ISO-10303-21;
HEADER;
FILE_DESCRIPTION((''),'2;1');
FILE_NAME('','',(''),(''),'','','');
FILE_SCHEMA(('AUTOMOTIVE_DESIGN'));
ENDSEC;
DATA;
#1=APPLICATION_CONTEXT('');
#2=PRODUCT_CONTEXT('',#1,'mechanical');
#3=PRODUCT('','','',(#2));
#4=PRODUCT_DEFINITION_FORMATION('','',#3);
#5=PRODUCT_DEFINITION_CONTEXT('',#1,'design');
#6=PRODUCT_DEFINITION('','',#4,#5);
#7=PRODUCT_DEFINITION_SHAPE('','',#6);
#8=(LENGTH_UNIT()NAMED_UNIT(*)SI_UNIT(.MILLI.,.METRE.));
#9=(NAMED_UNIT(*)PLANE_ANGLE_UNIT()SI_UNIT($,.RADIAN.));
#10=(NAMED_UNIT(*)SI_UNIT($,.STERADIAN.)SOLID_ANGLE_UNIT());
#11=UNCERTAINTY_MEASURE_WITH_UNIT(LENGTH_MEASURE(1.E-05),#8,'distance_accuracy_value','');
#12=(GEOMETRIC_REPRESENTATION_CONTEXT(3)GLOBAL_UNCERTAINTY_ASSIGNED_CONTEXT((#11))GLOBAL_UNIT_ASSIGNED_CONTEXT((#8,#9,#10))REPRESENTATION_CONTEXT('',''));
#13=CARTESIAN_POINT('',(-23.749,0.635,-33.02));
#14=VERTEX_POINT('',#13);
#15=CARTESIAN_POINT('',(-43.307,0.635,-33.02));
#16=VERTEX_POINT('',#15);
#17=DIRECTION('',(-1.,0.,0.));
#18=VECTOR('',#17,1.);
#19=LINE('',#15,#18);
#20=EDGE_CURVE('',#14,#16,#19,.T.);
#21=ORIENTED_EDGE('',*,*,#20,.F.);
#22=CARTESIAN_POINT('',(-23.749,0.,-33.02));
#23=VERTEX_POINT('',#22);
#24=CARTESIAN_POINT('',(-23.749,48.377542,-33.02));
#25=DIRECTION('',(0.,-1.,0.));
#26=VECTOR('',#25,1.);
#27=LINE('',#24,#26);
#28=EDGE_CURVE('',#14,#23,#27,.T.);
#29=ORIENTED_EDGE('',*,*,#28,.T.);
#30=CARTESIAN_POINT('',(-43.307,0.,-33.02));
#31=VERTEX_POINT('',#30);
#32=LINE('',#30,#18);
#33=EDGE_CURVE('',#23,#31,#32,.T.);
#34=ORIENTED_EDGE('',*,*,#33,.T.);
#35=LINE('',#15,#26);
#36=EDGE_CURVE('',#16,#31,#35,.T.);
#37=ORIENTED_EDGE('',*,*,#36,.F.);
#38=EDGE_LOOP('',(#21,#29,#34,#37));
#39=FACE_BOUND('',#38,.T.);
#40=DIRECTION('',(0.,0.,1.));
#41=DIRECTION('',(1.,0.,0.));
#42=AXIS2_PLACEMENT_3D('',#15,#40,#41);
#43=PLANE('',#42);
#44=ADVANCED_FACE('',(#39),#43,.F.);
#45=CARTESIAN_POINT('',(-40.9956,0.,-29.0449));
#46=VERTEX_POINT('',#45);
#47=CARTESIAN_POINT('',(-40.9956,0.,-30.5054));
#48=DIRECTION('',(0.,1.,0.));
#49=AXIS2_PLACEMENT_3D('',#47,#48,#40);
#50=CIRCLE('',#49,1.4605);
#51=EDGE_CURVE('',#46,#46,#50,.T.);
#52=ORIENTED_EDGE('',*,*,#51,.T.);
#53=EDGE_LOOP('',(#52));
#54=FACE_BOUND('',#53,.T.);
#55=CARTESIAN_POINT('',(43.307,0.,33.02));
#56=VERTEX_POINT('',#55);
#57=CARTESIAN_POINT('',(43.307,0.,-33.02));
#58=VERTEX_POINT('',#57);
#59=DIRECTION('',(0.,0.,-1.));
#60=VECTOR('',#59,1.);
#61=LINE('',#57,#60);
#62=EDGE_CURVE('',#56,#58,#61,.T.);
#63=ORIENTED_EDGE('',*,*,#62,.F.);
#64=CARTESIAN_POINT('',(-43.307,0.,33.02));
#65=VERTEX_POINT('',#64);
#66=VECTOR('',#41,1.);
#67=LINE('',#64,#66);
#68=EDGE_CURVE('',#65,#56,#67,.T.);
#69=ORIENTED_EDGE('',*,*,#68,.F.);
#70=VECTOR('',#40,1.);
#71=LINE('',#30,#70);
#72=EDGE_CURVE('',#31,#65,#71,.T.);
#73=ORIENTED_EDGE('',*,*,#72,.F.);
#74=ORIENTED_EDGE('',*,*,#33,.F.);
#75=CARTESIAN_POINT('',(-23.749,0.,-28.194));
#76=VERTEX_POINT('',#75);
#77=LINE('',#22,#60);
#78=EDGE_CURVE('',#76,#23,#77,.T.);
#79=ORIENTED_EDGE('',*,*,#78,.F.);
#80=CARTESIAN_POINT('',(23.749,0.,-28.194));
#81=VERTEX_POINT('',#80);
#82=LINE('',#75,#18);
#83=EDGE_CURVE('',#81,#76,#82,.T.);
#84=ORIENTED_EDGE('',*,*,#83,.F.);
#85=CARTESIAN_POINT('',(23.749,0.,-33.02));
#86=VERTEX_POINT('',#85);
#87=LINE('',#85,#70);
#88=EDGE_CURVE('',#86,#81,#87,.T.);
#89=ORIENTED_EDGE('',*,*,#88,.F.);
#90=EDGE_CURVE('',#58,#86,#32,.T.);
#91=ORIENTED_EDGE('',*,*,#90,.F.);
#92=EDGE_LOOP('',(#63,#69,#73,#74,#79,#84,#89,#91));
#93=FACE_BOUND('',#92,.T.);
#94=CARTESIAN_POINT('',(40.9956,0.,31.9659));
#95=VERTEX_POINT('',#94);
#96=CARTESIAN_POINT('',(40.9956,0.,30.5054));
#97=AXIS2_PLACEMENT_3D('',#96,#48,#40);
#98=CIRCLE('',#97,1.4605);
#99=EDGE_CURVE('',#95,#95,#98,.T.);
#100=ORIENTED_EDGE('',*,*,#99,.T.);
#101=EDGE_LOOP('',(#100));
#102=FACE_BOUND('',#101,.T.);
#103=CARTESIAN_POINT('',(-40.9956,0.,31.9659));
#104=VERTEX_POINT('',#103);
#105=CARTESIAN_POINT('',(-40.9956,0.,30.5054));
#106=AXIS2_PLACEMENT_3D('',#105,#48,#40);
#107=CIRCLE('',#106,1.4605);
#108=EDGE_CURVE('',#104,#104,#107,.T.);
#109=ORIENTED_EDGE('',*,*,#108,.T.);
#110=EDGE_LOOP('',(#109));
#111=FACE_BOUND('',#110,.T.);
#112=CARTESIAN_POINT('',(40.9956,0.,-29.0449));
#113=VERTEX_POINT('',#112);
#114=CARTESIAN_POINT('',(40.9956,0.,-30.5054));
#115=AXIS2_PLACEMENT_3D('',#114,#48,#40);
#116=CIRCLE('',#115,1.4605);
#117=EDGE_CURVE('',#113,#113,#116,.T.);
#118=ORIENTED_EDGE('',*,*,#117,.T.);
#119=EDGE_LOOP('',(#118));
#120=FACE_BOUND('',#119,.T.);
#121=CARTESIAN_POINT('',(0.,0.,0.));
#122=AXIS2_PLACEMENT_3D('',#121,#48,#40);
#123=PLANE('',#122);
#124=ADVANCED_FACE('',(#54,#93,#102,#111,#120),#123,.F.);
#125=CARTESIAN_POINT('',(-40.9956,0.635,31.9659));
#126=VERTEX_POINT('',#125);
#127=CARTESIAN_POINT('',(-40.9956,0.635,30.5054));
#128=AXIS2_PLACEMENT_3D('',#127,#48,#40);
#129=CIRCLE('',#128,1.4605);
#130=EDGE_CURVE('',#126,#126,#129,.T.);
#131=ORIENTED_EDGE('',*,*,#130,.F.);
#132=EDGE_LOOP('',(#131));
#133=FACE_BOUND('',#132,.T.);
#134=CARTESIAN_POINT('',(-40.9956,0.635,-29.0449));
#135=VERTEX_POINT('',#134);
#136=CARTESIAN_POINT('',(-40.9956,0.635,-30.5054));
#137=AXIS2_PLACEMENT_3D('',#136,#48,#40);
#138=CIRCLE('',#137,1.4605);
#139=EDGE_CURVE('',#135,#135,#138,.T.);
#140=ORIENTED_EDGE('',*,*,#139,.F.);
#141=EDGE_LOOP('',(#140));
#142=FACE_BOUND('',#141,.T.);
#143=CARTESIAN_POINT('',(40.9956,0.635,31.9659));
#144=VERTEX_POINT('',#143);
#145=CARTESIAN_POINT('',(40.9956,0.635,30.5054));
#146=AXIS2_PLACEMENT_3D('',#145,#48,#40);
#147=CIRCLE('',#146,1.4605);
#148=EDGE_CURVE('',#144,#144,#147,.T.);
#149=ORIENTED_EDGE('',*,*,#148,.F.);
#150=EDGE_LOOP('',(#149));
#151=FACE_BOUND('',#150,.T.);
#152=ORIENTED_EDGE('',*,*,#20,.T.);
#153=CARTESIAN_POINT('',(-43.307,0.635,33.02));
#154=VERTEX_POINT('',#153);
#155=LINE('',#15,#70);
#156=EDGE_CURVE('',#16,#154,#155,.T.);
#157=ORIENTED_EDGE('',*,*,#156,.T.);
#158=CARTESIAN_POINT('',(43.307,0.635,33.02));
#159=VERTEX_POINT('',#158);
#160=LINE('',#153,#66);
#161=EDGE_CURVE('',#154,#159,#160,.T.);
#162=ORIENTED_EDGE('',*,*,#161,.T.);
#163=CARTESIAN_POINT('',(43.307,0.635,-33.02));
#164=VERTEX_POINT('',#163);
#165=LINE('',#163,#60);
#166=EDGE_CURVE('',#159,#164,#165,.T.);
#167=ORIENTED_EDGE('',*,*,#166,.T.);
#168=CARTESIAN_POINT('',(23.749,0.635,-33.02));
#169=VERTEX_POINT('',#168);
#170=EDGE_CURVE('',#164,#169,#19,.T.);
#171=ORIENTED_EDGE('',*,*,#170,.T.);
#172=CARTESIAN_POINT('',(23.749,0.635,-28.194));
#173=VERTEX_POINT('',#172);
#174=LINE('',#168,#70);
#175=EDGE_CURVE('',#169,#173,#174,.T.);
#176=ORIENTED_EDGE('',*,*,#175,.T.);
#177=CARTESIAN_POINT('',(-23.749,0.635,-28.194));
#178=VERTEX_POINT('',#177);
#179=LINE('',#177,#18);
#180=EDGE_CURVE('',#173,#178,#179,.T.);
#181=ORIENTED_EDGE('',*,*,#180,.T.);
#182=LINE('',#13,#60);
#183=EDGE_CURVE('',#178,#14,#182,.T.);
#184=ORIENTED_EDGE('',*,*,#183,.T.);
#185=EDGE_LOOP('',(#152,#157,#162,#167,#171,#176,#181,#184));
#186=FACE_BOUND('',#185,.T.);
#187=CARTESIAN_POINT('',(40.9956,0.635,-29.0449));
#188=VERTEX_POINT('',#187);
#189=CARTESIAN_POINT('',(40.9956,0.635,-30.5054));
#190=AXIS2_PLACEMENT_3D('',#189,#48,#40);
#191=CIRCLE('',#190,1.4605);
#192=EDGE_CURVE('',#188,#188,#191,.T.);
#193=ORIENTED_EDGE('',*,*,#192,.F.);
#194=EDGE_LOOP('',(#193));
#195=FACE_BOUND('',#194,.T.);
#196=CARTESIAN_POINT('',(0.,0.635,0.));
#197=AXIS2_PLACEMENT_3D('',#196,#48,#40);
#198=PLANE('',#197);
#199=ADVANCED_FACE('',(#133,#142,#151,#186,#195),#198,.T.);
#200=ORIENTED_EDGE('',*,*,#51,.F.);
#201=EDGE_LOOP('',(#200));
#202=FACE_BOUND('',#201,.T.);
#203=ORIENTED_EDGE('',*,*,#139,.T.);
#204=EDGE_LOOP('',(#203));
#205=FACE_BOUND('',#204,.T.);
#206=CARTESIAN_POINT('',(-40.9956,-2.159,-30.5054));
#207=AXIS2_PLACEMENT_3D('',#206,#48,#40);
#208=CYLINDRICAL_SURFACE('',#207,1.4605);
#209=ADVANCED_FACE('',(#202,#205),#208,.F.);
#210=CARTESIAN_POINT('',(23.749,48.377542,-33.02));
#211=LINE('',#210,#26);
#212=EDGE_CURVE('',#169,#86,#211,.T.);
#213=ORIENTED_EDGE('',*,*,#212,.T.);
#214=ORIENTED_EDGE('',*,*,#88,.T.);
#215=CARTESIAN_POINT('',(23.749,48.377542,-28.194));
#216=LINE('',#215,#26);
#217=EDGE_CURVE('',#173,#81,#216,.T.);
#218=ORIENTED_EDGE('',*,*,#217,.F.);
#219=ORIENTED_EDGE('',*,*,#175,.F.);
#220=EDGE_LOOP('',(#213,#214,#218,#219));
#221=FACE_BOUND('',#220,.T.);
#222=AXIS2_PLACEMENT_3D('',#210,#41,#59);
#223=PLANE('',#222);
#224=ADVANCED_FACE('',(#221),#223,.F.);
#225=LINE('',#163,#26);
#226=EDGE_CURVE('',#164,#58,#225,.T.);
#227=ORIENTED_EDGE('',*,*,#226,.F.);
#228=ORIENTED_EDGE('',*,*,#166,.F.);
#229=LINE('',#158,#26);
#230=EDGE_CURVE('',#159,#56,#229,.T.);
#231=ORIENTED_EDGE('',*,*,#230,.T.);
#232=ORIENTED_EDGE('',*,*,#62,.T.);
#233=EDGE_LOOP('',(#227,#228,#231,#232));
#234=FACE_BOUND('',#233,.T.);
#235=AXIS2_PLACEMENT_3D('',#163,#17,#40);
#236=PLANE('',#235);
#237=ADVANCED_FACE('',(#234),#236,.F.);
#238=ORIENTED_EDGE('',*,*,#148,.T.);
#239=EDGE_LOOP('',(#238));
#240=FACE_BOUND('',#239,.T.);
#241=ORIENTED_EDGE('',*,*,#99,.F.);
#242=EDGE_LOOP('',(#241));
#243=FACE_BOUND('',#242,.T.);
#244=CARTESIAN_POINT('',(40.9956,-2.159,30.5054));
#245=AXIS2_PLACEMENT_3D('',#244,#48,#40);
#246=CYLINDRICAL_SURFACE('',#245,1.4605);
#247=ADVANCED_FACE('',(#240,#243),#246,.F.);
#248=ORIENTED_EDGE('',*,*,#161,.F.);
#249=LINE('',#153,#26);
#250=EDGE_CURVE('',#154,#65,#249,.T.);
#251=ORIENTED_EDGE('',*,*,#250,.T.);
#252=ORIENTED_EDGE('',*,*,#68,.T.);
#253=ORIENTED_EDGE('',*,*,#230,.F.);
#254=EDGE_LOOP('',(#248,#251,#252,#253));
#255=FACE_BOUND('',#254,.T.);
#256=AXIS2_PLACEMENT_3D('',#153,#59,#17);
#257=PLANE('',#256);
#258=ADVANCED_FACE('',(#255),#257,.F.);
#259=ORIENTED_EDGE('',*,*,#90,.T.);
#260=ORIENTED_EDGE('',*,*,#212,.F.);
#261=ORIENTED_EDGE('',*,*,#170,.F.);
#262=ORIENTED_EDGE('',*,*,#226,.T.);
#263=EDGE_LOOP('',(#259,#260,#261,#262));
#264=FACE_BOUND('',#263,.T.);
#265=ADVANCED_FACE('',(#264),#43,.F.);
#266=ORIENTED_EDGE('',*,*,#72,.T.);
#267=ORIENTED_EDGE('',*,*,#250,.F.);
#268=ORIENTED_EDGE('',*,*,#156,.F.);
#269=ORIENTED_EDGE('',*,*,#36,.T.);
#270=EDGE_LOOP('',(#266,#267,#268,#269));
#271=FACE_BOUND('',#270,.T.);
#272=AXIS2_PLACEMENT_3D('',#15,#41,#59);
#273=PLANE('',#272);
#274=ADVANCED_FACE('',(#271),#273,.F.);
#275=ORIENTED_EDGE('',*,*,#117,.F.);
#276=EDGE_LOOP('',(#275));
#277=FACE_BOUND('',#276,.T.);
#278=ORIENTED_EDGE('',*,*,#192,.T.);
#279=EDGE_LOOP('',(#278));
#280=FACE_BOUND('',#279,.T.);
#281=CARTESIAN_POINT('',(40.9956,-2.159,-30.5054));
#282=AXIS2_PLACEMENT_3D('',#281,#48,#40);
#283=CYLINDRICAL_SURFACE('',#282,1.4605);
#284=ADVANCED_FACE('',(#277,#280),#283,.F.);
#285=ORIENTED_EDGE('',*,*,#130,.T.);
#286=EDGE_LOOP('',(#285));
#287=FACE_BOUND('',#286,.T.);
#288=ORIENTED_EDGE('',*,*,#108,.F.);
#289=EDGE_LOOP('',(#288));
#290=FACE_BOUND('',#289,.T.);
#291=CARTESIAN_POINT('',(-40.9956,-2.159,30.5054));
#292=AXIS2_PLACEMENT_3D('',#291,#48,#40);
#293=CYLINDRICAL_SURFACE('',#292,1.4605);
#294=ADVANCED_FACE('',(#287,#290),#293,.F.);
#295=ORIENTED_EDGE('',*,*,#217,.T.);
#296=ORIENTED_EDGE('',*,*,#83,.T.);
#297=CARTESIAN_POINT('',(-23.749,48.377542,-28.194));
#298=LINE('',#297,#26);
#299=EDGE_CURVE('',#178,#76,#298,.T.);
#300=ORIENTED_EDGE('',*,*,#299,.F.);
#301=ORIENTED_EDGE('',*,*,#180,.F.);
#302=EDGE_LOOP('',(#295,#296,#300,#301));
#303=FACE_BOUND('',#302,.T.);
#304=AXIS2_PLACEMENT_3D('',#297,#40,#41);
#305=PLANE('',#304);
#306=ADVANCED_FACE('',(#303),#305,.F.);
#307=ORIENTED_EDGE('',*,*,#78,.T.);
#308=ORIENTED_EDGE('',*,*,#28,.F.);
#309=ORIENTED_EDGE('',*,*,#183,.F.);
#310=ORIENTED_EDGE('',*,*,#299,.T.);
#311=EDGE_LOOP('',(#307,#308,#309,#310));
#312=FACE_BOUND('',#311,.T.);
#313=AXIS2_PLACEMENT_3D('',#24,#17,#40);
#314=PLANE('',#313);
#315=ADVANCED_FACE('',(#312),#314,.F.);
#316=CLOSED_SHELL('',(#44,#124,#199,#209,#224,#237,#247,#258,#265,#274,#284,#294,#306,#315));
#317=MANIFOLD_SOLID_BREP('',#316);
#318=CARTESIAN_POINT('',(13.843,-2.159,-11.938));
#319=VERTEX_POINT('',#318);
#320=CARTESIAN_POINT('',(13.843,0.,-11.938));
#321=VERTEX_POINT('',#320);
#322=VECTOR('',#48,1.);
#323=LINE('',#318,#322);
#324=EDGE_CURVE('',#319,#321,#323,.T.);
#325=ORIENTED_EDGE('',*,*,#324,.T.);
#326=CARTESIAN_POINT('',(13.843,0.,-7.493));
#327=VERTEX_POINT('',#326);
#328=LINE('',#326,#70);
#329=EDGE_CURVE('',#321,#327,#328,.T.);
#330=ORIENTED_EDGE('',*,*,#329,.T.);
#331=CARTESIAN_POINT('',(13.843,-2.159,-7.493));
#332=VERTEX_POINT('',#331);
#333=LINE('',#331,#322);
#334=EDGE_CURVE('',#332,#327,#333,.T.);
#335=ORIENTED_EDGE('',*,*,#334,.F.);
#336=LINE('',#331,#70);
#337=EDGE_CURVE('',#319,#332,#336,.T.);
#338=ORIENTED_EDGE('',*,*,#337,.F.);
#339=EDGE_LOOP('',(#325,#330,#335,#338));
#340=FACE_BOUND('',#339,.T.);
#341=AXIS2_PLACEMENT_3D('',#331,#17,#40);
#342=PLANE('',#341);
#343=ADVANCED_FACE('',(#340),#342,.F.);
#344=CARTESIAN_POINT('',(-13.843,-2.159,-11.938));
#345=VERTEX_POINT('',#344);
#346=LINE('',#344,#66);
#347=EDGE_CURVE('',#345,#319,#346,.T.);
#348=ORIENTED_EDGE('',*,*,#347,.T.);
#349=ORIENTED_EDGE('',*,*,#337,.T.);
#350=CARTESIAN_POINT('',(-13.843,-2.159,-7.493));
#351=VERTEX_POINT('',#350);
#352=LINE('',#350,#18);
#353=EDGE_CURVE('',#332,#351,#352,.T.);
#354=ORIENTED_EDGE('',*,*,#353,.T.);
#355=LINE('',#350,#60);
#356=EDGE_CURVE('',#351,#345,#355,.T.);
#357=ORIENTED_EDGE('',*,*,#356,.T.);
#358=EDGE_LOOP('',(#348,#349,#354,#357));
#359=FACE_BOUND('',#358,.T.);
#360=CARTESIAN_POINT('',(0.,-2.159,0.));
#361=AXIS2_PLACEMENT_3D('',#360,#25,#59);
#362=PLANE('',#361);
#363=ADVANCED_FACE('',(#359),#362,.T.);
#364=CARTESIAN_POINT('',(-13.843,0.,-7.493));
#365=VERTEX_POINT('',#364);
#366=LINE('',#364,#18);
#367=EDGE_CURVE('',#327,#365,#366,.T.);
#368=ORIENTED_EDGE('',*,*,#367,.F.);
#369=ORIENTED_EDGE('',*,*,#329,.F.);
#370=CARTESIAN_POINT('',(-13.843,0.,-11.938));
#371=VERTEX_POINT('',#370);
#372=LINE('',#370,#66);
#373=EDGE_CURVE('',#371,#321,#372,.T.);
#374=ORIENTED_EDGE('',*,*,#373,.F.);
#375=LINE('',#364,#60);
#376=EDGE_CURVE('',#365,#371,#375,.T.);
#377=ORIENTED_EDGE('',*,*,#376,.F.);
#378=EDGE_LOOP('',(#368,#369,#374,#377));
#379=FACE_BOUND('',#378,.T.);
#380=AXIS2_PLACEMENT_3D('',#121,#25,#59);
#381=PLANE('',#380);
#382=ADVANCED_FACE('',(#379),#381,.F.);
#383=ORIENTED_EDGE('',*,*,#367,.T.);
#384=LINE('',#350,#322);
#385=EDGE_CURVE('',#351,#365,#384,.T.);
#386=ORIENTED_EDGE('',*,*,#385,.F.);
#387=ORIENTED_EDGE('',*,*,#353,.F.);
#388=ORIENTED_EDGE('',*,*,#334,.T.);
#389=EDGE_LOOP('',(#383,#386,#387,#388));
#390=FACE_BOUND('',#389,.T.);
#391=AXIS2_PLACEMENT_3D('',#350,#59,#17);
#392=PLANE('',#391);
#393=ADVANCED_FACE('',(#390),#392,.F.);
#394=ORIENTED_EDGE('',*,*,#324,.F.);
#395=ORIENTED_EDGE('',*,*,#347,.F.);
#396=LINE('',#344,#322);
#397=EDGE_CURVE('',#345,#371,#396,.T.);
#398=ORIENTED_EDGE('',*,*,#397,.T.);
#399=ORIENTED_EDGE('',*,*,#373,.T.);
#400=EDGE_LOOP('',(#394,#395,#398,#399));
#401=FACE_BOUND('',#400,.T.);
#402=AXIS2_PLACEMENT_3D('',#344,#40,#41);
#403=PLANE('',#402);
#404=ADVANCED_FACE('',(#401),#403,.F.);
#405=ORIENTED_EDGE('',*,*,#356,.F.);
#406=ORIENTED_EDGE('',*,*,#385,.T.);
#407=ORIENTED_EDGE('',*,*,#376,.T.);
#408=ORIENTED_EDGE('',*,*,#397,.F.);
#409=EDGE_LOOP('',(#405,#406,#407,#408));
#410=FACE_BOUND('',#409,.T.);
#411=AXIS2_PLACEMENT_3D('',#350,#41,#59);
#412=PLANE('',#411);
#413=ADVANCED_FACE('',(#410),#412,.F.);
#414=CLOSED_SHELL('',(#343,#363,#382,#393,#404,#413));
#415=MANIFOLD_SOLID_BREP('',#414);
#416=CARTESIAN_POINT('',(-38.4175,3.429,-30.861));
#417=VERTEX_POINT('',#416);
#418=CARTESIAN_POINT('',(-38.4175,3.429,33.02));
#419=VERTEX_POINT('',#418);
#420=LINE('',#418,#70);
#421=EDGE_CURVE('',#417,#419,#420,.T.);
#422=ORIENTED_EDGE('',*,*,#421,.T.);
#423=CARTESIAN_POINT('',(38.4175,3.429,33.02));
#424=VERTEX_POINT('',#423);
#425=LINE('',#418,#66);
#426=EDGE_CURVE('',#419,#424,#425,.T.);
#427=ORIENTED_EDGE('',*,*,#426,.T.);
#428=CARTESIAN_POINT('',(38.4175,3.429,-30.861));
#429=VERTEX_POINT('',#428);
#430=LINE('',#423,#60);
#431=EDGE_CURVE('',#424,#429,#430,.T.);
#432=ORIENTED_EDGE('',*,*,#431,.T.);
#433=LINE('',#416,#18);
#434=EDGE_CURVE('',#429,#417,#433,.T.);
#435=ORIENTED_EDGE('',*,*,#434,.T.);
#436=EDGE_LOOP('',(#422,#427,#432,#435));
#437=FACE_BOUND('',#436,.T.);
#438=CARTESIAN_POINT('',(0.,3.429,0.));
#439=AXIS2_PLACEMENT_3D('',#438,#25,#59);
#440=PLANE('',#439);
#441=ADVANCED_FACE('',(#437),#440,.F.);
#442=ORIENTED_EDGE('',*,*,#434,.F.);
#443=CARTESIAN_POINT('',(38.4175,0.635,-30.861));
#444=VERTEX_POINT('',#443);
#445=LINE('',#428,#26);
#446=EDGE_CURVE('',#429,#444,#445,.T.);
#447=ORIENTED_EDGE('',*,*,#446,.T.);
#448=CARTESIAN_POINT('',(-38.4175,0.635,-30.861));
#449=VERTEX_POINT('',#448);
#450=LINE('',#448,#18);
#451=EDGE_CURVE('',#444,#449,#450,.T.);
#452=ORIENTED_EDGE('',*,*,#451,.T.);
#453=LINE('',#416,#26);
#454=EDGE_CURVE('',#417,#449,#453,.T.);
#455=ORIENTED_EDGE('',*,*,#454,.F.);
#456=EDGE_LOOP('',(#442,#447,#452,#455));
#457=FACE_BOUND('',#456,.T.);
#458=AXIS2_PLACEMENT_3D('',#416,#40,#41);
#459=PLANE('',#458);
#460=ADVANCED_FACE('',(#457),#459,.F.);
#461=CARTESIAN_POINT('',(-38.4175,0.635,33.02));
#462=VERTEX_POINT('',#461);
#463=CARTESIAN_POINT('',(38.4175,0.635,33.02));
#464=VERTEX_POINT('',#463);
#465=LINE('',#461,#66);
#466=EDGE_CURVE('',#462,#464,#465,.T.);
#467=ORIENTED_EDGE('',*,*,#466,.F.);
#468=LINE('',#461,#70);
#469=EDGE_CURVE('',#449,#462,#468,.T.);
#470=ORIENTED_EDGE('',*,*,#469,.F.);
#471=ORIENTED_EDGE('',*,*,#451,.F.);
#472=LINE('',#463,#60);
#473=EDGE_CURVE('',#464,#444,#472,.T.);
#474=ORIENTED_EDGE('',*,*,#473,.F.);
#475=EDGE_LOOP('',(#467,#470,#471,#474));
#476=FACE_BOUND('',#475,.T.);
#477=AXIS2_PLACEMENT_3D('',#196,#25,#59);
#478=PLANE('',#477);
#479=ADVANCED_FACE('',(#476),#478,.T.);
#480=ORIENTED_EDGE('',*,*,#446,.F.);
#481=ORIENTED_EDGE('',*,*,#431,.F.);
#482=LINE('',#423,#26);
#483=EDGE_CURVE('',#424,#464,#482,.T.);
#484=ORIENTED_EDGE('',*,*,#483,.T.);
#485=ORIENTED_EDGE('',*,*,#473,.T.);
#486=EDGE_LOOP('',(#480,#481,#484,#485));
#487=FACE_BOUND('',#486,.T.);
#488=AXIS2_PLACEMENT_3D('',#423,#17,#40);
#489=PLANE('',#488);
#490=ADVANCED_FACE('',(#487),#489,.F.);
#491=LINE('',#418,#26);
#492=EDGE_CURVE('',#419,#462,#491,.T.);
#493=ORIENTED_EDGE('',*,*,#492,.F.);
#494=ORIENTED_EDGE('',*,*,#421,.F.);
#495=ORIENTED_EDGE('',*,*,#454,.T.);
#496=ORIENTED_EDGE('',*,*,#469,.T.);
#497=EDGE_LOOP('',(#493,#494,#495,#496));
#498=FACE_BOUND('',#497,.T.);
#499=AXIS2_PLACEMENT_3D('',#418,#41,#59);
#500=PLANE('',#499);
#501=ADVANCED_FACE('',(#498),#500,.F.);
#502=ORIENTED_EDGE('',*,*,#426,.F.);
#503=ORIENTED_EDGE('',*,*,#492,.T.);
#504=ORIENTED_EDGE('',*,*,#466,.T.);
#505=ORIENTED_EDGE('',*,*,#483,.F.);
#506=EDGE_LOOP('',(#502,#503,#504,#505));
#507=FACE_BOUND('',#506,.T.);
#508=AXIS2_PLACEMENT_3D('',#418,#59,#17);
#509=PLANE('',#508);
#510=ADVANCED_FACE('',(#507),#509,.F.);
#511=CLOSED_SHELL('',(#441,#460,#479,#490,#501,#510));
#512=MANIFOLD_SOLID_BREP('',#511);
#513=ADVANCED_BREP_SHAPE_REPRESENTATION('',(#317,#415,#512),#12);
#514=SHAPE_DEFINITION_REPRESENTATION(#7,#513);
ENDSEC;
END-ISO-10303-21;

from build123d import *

# Parameters (mm, degrees)
SKETCH1_W           = 86.614
SKETCH1_H           = 66.04
BOSS_EXTRUDE1_DEPTH = 0.635
SKETCH2_W           = 47.498
SKETCH2_H           = 4.826
CUT_EXTRUDE1_DEPTH  = 0.635
SKETCH3_W           = 76.835
SKETCH3_H           = 63.881
BOSS_EXTRUDE2_DEPTH = 2.794
SKETCH4_W           = 27.686
SKETCH4_H           = 4.445
BOSS_EXTRUDE3_DEPTH = 2.159
SKETCH6_R           = 1.4605
CUT_EXTRUDE2_DEPTH  = 55.745249958


with BuildPart() as part:
    # Sketch1 → Boss-Extrude1 (new body)
    with BuildSketch(Plane(origin=(0, 0, 0), x_dir=(1, 0, 0), z_dir=(0, 1, 0))):
        Rectangle(SKETCH1_W, SKETCH1_H)
    extrude(amount=BOSS_EXTRUDE1_DEPTH)

    # Sketch2 → Cut-Extrude1 (cut)
    with BuildSketch(Plane.XZ):
        with Locations((0, -30.607)):
            Rectangle(SKETCH2_W, SKETCH2_H)
    extrude(amount=-CUT_EXTRUDE1_DEPTH, mode=Mode.SUBTRACT)

    # Sketch6 → Cut-Extrude2 (cut, through all)
    with BuildSketch(Plane(origin=(0, 3.429, 0), x_dir=(1, 0, 0), z_dir=(0, 1, 0))):
        with Locations(Location((-40.9956, 30.5054, 0), (0, 0, 270))):
            Circle(SKETCH6_R)
        with Locations(Location((-40.9956, -30.5054, 0), (0, 0, 270))):
            Circle(SKETCH6_R)
        with Locations(Location((40.9956, -30.5054, 0), (0, 0, 270))):
            Circle(SKETCH6_R)
        with Locations(Location((40.9956, 30.5054, 0), (0, 0, 270))):
            Circle(SKETCH6_R)
    extrude(amount=-CUT_EXTRUDE2_DEPTH, mode=Mode.SUBTRACT)


with BuildPart() as body_2:
    # Sketch3 → Boss-Extrude2 (new body)
    with BuildSketch(Plane(origin=(0, 0.635, 0), x_dir=(1, 0, 0), z_dir=(0, 1, 0))):
        with Locations((0, -1.0795)):
            Rectangle(SKETCH3_W, SKETCH3_H)
    extrude(amount=BOSS_EXTRUDE2_DEPTH)


with BuildPart() as body_3:
    # Sketch4 → Boss-Extrude3 (new body)
    with BuildSketch(Plane.XZ):
        with Locations((0, -9.7155)):
            Rectangle(SKETCH4_W, SKETCH4_H)
    extrude(amount=BOSS_EXTRUDE3_DEPTH)


solid = Compound([part.part, body_2.part, body_3.part])
